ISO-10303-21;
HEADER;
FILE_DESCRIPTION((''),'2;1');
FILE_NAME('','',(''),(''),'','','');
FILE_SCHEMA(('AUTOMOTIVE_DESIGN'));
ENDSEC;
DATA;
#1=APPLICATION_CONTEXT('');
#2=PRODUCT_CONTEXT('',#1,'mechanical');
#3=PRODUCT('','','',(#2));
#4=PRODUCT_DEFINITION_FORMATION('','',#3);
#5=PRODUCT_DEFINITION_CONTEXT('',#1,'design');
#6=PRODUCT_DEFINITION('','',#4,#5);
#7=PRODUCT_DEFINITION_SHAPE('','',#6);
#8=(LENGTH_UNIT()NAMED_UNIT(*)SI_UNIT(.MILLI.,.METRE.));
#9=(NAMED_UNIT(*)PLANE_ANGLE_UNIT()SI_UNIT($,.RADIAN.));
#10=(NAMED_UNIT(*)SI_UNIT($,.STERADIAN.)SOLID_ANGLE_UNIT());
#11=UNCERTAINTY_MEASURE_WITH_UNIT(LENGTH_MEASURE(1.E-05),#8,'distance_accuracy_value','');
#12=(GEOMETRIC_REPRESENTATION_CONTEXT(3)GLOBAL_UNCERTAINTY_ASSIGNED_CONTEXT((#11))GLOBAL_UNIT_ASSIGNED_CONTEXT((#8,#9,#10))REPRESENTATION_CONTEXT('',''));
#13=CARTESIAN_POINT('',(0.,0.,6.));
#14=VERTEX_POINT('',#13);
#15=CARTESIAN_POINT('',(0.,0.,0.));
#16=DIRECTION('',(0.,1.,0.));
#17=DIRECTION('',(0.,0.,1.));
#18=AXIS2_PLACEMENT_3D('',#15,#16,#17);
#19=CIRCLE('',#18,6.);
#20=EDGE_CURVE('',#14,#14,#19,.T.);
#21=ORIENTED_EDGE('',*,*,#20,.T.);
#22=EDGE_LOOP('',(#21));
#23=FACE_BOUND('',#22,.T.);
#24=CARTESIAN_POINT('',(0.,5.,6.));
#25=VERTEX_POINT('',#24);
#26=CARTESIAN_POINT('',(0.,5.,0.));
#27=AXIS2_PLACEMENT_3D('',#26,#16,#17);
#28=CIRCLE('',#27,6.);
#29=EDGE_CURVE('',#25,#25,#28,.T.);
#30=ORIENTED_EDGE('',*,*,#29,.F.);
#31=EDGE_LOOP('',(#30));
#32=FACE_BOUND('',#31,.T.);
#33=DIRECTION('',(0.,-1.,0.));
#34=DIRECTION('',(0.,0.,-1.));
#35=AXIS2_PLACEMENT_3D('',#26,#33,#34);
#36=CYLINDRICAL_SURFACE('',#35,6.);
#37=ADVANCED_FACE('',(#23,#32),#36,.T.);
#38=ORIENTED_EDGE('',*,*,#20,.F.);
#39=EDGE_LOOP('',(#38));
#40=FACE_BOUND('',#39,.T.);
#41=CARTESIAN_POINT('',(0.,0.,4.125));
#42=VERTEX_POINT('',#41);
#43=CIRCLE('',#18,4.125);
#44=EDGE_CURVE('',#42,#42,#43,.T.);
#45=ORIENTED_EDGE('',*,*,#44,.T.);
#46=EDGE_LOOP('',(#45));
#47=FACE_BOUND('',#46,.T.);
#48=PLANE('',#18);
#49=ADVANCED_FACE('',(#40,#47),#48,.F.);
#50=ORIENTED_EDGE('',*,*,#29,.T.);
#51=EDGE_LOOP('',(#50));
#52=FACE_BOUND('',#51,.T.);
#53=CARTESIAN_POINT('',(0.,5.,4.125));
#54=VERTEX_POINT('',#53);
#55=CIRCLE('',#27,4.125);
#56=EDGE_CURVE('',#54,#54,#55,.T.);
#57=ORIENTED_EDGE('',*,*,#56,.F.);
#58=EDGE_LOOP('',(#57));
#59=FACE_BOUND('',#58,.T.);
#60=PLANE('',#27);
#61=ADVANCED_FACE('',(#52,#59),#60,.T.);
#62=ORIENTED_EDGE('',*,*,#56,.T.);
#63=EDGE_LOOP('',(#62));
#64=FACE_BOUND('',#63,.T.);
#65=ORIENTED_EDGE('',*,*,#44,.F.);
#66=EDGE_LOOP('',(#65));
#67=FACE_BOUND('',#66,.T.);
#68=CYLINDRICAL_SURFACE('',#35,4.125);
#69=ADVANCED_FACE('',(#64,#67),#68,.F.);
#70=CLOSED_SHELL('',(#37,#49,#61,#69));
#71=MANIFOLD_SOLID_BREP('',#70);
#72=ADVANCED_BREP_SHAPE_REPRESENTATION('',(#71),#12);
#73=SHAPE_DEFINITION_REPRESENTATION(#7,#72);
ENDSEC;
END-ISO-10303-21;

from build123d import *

# Parameters (mm, degrees)
SKETCH1_R           = 6
SKETCH1_R_2         = 4.125
BOSS_EXTRUDE1_DEPTH = 5


with BuildPart() as part:
    # Sketch1 → Boss-Extrude1 (new body)
    with BuildSketch(Plane(origin=(0, 0, 0), x_dir=(1, 0, 0), z_dir=(0, 1, 0))):
        Circle(SKETCH1_R)
        Circle(SKETCH1_R_2, mode=Mode.SUBTRACT)
    extrude(amount=BOSS_EXTRUDE1_DEPTH)


solid = part.part
